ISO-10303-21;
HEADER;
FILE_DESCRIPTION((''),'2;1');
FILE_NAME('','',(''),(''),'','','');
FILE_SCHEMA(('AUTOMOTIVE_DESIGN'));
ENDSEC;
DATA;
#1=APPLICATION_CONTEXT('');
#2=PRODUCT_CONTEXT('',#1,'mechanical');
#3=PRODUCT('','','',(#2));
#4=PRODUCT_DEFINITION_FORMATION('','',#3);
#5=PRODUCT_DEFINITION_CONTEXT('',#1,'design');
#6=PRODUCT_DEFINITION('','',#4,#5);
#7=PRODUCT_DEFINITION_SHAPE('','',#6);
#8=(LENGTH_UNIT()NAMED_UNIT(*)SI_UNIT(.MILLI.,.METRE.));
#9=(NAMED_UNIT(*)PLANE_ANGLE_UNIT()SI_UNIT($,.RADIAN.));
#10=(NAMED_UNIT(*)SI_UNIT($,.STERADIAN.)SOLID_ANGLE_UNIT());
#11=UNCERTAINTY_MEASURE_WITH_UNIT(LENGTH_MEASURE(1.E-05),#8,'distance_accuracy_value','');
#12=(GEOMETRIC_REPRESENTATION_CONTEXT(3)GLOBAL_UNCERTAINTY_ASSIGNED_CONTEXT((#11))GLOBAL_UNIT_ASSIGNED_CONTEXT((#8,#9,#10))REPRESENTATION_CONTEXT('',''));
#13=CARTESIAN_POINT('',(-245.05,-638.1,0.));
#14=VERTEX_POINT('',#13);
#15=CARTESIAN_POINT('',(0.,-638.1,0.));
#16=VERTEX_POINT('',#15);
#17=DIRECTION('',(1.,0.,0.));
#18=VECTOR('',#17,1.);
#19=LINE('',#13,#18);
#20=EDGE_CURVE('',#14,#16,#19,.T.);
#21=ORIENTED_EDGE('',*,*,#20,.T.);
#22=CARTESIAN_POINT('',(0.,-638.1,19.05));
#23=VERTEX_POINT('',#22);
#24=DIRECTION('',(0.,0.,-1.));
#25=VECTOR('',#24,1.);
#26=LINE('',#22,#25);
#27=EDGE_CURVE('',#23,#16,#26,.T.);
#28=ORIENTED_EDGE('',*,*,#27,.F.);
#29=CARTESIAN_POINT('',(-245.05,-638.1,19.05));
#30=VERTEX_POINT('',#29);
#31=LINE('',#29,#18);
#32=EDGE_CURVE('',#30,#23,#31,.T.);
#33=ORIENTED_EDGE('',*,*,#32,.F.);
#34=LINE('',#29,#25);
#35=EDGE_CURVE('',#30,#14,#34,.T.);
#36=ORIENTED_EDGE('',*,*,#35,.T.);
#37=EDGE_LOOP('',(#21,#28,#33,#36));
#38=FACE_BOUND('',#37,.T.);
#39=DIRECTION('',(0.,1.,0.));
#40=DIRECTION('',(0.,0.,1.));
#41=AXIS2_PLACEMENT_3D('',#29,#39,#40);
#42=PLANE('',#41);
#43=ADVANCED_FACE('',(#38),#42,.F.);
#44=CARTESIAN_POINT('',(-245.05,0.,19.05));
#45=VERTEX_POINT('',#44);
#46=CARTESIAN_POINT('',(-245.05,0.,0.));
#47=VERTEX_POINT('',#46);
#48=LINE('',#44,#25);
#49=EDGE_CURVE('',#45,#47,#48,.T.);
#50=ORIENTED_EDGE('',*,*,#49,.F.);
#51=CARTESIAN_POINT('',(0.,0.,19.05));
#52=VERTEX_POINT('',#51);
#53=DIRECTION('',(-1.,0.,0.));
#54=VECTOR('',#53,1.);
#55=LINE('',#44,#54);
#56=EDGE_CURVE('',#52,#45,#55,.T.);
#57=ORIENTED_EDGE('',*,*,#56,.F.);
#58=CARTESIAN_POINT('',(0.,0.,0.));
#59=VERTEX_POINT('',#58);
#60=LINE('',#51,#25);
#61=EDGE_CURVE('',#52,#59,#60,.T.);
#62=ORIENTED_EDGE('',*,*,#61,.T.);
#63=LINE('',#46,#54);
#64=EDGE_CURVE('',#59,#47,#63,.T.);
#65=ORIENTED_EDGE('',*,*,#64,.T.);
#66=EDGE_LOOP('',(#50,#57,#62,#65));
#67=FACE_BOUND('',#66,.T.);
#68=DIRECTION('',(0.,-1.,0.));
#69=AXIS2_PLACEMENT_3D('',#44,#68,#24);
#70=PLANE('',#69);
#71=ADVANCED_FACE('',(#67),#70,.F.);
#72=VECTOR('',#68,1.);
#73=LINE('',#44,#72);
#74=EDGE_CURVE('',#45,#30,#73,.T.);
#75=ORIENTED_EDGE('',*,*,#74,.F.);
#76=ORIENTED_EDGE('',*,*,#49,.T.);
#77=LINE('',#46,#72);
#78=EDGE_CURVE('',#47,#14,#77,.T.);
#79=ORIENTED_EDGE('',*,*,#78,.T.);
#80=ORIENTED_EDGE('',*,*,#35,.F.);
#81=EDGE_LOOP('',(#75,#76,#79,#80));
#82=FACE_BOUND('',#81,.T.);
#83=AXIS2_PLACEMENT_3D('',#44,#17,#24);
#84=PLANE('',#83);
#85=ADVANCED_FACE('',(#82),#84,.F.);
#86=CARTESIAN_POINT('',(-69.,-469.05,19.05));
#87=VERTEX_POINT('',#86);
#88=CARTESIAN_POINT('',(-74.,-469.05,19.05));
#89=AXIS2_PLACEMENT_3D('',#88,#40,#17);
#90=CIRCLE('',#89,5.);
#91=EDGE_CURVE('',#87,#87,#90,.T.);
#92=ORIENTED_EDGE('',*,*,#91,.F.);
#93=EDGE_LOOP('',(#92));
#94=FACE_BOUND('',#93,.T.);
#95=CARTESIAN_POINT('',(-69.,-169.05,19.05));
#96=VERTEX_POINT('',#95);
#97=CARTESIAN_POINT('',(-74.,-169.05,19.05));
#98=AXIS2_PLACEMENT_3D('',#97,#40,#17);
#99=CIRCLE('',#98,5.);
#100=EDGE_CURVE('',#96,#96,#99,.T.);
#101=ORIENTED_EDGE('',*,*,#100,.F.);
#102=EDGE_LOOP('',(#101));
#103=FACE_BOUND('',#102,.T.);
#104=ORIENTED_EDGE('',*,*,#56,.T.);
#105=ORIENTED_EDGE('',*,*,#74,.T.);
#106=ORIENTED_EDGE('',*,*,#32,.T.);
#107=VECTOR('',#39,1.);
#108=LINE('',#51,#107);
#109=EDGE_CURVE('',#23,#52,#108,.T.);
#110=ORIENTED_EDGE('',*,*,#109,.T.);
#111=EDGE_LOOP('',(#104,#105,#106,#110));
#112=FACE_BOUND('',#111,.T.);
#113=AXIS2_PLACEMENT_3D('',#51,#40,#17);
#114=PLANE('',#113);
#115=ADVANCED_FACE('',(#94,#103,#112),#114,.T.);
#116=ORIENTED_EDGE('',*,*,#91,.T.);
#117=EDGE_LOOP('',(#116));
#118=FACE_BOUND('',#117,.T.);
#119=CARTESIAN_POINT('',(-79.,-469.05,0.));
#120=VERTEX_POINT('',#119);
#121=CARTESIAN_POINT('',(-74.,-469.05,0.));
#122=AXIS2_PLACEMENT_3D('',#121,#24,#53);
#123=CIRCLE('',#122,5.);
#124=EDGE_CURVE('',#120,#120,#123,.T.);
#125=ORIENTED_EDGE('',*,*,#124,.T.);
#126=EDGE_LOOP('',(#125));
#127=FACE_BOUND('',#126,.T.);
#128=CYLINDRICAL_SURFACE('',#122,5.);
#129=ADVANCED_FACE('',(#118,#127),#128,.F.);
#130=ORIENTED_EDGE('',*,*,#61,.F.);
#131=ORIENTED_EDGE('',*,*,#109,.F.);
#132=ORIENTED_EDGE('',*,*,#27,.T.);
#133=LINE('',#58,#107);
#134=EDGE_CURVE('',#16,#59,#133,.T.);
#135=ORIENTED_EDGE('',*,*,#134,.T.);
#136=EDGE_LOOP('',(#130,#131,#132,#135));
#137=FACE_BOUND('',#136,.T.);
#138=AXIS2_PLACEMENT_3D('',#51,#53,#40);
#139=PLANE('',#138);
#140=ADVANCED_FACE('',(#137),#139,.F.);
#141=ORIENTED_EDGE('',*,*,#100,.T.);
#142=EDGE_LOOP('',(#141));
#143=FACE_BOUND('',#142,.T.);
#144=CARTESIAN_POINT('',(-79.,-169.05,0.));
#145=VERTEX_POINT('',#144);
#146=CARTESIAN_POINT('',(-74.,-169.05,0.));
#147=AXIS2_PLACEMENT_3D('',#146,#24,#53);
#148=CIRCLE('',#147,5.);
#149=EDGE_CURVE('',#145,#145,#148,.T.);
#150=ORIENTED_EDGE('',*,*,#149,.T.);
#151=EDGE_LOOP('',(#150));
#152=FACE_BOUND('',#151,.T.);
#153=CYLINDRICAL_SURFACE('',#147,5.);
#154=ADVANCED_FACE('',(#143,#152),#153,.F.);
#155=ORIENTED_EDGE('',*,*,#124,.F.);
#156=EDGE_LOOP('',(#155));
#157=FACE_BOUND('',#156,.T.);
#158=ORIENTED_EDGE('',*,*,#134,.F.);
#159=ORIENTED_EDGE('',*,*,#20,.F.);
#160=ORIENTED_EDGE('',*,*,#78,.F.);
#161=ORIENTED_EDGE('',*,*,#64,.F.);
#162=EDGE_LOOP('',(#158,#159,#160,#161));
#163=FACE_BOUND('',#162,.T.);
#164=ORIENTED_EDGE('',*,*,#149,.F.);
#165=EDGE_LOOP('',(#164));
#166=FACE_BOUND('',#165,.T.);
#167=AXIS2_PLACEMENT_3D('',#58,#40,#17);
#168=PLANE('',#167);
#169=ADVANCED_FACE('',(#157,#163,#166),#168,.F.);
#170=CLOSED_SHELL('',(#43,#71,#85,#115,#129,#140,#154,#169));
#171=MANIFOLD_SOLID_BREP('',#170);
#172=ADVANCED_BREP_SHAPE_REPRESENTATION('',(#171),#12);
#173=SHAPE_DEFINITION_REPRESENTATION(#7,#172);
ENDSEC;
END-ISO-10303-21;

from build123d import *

# Parameters (mm, degrees)
SKETCH1_W                  = 245.05
SKETCH1_H                  = 638.1
BOSS_EXTRUDE1_DEPTH        = 19.05
F_10_0MM_DOWEL_HOLE1_D     = 10
F_10_0MM_DOWEL_HOLE1_DEPTH = 26.995696905
F_10_0MM_DOWEL_HOLE1_TIP   = 3.004303095


with BuildPart() as part:
    # Sketch1 → Boss-Extrude1 (new body)
    with BuildSketch(Plane.XY):
        with Locations((-122.525, -319.05)):
            Rectangle(SKETCH1_W, SKETCH1_H)
    extrude(amount=BOSS_EXTRUDE1_DEPTH)

    # Ø10.0mm Dowel Hole1
    with Locations(Plane(origin=(0, 0, 0), x_dir=(-1, 0, 0), z_dir=(0, 0, -1))):
        with Locations((74, -469.05), (74, -169.05)):
            Hole(F_10_0MM_DOWEL_HOLE1_D / 2, depth=F_10_0MM_DOWEL_HOLE1_DEPTH)
            with Locations((0, 0, -(F_10_0MM_DOWEL_HOLE1_DEPTH + F_10_0MM_DOWEL_HOLE1_TIP / 2))):  # 118° drill point
                Cone(0, F_10_0MM_DOWEL_HOLE1_D / 2, F_10_0MM_DOWEL_HOLE1_TIP, mode=Mode.SUBTRACT)


solid = part.part
